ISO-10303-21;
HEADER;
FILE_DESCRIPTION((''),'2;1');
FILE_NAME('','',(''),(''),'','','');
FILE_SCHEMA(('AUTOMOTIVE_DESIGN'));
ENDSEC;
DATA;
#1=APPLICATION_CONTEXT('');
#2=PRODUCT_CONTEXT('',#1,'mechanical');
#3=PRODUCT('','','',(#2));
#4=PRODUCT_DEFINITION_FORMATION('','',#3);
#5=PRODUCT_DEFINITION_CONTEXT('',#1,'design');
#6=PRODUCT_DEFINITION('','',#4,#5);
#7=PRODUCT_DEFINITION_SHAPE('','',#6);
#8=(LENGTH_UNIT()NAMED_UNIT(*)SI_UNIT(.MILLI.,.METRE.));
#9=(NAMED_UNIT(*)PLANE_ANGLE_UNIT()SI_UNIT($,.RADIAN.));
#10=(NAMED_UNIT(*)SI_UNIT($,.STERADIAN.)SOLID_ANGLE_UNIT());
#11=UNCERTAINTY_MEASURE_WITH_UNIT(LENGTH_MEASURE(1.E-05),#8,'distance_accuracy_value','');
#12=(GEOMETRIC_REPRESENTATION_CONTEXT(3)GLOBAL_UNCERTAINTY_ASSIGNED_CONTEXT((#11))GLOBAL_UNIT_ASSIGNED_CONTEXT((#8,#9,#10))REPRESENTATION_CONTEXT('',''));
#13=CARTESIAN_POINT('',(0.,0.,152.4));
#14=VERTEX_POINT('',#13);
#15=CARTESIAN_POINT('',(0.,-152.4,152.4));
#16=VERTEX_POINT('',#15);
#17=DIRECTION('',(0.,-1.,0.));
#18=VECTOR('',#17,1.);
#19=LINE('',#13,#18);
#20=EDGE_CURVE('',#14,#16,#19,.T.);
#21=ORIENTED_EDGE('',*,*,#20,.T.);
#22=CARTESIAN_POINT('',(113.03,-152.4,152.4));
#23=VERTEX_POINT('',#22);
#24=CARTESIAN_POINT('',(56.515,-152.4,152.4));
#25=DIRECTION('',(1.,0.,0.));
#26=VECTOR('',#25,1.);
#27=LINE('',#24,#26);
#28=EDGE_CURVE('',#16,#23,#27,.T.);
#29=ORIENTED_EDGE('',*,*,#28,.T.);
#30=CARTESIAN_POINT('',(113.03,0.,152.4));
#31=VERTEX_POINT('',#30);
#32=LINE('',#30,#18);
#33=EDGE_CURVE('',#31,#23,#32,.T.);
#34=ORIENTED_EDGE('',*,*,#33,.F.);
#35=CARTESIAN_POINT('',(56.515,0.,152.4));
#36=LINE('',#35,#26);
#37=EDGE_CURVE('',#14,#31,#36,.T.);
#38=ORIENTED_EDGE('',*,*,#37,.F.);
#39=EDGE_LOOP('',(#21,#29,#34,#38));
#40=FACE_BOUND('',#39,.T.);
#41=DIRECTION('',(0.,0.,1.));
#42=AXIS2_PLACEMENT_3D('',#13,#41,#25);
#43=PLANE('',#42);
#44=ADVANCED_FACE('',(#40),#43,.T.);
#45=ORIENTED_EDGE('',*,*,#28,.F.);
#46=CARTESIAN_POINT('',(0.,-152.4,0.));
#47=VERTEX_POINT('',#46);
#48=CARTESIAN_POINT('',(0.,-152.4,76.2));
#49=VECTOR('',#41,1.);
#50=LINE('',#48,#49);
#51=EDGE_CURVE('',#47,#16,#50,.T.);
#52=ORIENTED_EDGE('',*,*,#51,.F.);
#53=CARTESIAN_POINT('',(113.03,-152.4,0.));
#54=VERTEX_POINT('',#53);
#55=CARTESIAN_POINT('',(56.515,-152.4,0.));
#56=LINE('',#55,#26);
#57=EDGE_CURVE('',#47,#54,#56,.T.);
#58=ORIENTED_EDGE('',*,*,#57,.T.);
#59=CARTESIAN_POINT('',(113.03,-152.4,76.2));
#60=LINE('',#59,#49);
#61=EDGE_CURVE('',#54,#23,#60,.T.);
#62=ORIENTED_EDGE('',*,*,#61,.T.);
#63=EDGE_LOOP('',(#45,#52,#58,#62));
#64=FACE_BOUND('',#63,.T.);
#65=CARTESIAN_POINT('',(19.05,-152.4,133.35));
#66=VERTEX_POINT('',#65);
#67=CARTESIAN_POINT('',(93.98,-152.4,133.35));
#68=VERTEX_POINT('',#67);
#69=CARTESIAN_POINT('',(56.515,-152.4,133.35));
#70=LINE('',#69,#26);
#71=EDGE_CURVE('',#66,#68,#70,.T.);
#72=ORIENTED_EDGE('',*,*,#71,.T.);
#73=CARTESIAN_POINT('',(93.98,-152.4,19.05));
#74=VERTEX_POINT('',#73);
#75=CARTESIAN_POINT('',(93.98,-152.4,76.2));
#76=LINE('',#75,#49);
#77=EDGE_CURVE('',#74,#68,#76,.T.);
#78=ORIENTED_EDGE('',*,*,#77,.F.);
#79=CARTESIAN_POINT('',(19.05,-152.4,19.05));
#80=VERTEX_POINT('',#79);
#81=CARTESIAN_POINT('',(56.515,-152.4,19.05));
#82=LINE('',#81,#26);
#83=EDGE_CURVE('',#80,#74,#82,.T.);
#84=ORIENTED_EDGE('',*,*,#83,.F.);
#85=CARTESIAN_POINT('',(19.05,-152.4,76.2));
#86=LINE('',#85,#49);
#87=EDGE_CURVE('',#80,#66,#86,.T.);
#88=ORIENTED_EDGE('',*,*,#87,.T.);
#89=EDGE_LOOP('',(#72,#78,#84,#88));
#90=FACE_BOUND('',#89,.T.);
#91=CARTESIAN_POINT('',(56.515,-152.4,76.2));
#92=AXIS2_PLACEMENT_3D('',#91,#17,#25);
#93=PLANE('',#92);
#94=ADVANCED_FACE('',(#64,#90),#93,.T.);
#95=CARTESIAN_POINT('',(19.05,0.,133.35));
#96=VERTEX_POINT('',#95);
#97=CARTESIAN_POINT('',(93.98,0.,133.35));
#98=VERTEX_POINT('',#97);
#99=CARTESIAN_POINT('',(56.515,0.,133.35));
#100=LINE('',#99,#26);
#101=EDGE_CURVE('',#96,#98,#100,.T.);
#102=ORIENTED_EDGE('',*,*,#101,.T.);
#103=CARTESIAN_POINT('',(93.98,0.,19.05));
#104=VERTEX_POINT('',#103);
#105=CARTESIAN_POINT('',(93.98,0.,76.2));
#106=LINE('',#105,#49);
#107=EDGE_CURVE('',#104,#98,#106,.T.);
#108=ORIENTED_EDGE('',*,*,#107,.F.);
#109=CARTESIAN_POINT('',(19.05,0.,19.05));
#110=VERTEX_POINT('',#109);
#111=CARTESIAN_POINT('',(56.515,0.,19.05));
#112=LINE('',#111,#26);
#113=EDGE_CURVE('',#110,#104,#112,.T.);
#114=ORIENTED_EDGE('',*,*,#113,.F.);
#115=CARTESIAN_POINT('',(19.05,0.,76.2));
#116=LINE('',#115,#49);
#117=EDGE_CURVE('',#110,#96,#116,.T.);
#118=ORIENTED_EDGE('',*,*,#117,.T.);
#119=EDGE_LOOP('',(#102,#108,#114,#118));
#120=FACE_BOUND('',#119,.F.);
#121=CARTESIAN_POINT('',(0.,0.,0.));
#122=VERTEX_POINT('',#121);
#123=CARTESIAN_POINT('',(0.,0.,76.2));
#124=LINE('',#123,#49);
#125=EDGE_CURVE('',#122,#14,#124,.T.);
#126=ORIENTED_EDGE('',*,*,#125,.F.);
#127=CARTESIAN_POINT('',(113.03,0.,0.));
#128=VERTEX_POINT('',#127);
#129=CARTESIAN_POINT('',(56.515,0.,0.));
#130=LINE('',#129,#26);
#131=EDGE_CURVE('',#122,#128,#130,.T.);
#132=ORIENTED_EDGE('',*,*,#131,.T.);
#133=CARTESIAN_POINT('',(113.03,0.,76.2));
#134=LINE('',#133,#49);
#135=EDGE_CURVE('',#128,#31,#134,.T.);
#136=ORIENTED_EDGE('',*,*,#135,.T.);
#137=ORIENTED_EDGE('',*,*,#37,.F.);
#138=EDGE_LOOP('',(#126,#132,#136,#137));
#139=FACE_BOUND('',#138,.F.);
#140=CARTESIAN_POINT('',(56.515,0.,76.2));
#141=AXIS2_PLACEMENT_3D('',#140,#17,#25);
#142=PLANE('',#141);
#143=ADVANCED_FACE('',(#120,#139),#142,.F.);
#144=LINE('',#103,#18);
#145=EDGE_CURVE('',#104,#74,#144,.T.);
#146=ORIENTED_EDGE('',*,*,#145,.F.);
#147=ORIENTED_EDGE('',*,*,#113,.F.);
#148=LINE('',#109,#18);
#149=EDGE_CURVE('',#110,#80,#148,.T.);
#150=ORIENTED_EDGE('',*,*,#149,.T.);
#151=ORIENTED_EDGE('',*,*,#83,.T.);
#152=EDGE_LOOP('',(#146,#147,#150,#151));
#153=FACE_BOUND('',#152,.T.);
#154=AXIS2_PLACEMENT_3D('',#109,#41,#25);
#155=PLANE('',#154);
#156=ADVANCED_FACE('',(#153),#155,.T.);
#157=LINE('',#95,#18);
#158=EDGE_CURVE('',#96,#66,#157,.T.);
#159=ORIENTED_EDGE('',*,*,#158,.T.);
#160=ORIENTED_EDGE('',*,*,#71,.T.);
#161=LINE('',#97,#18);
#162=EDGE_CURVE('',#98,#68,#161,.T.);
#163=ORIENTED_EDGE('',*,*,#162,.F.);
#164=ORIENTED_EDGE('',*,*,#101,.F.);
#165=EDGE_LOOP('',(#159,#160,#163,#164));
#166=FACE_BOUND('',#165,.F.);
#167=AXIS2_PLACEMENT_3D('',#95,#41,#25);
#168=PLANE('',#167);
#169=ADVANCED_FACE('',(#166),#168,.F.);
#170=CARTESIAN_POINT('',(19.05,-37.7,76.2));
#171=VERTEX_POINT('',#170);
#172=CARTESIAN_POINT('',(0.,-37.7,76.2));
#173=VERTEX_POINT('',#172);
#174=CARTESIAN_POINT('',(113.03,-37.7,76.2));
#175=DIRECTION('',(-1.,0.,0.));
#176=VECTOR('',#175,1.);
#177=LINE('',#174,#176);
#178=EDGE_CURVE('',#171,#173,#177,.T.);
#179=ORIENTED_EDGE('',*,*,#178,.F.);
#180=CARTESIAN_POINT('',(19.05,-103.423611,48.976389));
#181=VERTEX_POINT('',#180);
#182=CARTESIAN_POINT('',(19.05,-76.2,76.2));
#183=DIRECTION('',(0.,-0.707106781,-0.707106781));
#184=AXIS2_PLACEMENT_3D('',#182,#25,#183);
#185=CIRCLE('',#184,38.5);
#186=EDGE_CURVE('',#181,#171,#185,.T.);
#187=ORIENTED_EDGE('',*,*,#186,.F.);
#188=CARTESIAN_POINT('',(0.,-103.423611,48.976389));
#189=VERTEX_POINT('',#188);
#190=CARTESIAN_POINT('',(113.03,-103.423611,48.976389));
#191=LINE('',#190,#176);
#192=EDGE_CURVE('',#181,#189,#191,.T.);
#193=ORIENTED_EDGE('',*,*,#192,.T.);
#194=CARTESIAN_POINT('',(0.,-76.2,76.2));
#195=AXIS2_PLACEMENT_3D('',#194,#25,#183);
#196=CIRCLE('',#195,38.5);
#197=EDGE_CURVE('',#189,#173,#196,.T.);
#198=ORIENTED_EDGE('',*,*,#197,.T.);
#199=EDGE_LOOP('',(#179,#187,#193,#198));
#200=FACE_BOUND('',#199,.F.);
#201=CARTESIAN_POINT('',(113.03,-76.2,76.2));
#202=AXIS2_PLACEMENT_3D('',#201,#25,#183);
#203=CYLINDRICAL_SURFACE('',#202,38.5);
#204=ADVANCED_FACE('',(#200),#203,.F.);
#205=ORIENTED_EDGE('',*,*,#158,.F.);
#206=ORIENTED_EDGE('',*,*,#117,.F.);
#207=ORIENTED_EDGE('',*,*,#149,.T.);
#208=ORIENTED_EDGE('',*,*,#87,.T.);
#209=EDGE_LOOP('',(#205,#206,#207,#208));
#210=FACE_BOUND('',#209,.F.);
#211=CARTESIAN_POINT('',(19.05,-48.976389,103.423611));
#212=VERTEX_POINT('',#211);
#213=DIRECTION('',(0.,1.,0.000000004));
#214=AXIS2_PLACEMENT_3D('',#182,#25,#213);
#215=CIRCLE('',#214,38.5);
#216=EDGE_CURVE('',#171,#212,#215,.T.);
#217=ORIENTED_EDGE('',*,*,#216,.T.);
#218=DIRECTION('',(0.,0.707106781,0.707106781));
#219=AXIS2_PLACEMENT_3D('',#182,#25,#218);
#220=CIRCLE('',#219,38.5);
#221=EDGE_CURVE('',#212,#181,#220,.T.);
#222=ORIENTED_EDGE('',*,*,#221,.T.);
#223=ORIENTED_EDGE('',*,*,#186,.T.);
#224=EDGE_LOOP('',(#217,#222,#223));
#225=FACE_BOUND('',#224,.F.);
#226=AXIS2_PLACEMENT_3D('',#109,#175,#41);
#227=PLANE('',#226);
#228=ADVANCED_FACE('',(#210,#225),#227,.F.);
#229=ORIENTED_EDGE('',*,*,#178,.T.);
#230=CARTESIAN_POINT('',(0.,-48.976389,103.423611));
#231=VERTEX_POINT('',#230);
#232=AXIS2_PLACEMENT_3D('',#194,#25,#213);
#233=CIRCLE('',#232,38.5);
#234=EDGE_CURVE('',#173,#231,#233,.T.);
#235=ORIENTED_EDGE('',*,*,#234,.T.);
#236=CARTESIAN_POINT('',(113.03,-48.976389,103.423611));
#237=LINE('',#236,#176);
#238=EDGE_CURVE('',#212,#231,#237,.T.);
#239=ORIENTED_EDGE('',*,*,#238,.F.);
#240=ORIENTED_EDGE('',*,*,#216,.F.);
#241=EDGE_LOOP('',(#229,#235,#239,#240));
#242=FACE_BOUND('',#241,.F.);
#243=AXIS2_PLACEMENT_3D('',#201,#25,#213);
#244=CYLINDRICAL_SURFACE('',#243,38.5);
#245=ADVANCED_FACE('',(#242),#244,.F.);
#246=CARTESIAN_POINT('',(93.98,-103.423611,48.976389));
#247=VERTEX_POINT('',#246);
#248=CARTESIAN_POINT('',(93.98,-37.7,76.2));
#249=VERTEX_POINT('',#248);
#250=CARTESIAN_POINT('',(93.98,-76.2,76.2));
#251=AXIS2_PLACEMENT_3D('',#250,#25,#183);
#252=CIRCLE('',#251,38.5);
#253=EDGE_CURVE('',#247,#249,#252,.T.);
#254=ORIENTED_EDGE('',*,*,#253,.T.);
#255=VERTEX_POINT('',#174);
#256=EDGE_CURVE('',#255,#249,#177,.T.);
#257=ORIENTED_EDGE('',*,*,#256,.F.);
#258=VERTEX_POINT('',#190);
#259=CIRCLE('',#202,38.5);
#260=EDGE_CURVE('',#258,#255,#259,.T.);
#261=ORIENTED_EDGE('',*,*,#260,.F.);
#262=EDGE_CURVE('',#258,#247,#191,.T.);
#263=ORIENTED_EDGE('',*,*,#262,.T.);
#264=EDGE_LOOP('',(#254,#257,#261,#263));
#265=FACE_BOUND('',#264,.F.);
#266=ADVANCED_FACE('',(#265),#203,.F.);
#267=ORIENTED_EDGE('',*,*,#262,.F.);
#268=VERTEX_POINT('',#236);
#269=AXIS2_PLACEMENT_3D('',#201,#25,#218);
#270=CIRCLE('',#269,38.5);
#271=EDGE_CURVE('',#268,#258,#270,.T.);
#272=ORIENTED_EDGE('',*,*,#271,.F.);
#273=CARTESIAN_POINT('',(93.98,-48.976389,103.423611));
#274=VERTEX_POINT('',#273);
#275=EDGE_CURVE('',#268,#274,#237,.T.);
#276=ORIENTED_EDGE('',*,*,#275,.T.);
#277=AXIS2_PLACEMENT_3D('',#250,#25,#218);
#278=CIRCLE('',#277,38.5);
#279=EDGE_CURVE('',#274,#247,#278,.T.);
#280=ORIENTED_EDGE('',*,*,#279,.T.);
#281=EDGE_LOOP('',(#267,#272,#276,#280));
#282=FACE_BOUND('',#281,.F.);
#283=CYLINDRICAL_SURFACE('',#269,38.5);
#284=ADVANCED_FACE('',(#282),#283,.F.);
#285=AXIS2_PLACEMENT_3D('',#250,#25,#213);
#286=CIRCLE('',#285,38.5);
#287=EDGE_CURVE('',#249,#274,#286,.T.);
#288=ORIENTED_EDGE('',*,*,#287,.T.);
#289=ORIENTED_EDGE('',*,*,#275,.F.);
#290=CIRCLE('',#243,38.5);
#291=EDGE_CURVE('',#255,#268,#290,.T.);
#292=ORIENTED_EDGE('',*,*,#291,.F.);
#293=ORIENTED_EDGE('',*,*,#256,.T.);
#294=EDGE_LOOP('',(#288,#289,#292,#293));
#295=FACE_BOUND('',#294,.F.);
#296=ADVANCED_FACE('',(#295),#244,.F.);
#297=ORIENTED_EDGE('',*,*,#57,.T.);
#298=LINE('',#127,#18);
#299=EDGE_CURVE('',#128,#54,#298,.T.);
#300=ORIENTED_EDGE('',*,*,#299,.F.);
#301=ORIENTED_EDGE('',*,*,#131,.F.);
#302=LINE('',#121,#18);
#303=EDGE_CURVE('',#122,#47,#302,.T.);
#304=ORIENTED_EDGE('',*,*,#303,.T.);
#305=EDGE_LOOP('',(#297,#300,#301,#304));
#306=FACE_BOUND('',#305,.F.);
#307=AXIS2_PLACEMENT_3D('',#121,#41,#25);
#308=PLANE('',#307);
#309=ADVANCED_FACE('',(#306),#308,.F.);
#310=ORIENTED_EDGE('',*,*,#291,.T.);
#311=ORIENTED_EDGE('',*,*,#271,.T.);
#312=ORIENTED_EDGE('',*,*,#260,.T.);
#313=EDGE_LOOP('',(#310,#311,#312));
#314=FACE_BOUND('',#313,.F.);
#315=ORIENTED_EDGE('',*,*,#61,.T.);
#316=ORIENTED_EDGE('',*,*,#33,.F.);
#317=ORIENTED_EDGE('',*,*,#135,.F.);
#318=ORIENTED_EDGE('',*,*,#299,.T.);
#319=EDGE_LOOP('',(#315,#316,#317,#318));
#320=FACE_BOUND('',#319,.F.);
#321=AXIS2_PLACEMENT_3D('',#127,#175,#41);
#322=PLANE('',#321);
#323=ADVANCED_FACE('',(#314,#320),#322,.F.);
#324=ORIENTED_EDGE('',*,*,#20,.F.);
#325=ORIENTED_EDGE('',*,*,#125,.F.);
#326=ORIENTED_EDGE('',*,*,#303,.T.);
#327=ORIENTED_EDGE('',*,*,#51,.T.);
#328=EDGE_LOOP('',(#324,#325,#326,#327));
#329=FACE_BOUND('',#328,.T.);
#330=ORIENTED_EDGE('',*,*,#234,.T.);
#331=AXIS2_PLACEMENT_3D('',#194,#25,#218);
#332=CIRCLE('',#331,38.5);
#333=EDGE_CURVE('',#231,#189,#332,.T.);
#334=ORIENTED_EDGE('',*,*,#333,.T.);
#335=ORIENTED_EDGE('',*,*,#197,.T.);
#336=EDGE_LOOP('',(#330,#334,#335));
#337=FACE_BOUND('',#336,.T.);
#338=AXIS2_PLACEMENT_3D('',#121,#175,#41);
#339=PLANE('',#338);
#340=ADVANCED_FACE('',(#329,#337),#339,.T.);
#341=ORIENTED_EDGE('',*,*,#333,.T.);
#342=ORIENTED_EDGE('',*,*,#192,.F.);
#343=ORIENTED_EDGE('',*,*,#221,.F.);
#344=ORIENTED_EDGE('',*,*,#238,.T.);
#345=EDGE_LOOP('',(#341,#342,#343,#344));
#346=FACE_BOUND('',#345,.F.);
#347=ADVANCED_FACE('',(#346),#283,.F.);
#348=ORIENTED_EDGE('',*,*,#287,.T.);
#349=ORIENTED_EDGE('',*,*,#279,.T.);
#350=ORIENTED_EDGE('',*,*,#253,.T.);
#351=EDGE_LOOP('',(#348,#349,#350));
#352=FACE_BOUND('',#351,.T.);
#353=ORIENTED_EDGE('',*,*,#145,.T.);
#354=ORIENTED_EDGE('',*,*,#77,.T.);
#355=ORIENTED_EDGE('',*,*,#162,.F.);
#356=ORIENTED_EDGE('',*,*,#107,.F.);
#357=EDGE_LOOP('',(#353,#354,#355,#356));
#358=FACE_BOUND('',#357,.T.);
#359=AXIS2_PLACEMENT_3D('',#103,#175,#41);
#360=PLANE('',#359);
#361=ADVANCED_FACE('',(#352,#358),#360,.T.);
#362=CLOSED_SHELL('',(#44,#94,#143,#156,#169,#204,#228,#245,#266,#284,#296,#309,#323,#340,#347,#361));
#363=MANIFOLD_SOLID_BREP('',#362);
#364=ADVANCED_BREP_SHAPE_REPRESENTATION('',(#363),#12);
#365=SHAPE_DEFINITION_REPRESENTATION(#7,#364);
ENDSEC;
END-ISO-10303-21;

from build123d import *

# Parameters (mm, degrees)
F0_W     = 113.03
F0_H     = 152.4
F0_W_2   = 74.93
F0_H_2   = 114.3
F1_DEPTH = 152.4
F3_DEPTH = 113.031


with BuildPart() as f1:
    # F0 (on Front) → F1 (new body)
    with BuildSketch(Plane.XZ):
        with Locations((56.515, 76.2)):
            Rectangle(F0_W, F0_H)
        with Locations((56.515, 76.2)):
            Rectangle(F0_W_2, F0_H_2, mode=Mode.SUBTRACT)
    extrude(amount=F1_DEPTH)

    # F2 (on face) → F3 (cut, through all)
    with BuildSketch(Plane.YZ.offset(113.03)):
        with BuildLine():
            ThreePointArc((-37.7, 76.2), (-40.630638, 90.933312), (-48.976389, 103.423611))
            Line((-48.976389, 103.423611), (-103.423611, 48.976389))
            ThreePointArc((-103.423611, 48.976389), (-61.466688, 40.630638), (-37.7, 76.2))
        make_face()
        with BuildLine():
            Line((-103.423611, 48.976389), (-48.976389, 103.423611))
            ThreePointArc((-48.976389, 103.423611), (-103.423611, 103.423611), (-103.423611, 48.976389))
        make_face()
    extrude(amount=-F3_DEPTH, mode=Mode.SUBTRACT)


solid = f1.part
